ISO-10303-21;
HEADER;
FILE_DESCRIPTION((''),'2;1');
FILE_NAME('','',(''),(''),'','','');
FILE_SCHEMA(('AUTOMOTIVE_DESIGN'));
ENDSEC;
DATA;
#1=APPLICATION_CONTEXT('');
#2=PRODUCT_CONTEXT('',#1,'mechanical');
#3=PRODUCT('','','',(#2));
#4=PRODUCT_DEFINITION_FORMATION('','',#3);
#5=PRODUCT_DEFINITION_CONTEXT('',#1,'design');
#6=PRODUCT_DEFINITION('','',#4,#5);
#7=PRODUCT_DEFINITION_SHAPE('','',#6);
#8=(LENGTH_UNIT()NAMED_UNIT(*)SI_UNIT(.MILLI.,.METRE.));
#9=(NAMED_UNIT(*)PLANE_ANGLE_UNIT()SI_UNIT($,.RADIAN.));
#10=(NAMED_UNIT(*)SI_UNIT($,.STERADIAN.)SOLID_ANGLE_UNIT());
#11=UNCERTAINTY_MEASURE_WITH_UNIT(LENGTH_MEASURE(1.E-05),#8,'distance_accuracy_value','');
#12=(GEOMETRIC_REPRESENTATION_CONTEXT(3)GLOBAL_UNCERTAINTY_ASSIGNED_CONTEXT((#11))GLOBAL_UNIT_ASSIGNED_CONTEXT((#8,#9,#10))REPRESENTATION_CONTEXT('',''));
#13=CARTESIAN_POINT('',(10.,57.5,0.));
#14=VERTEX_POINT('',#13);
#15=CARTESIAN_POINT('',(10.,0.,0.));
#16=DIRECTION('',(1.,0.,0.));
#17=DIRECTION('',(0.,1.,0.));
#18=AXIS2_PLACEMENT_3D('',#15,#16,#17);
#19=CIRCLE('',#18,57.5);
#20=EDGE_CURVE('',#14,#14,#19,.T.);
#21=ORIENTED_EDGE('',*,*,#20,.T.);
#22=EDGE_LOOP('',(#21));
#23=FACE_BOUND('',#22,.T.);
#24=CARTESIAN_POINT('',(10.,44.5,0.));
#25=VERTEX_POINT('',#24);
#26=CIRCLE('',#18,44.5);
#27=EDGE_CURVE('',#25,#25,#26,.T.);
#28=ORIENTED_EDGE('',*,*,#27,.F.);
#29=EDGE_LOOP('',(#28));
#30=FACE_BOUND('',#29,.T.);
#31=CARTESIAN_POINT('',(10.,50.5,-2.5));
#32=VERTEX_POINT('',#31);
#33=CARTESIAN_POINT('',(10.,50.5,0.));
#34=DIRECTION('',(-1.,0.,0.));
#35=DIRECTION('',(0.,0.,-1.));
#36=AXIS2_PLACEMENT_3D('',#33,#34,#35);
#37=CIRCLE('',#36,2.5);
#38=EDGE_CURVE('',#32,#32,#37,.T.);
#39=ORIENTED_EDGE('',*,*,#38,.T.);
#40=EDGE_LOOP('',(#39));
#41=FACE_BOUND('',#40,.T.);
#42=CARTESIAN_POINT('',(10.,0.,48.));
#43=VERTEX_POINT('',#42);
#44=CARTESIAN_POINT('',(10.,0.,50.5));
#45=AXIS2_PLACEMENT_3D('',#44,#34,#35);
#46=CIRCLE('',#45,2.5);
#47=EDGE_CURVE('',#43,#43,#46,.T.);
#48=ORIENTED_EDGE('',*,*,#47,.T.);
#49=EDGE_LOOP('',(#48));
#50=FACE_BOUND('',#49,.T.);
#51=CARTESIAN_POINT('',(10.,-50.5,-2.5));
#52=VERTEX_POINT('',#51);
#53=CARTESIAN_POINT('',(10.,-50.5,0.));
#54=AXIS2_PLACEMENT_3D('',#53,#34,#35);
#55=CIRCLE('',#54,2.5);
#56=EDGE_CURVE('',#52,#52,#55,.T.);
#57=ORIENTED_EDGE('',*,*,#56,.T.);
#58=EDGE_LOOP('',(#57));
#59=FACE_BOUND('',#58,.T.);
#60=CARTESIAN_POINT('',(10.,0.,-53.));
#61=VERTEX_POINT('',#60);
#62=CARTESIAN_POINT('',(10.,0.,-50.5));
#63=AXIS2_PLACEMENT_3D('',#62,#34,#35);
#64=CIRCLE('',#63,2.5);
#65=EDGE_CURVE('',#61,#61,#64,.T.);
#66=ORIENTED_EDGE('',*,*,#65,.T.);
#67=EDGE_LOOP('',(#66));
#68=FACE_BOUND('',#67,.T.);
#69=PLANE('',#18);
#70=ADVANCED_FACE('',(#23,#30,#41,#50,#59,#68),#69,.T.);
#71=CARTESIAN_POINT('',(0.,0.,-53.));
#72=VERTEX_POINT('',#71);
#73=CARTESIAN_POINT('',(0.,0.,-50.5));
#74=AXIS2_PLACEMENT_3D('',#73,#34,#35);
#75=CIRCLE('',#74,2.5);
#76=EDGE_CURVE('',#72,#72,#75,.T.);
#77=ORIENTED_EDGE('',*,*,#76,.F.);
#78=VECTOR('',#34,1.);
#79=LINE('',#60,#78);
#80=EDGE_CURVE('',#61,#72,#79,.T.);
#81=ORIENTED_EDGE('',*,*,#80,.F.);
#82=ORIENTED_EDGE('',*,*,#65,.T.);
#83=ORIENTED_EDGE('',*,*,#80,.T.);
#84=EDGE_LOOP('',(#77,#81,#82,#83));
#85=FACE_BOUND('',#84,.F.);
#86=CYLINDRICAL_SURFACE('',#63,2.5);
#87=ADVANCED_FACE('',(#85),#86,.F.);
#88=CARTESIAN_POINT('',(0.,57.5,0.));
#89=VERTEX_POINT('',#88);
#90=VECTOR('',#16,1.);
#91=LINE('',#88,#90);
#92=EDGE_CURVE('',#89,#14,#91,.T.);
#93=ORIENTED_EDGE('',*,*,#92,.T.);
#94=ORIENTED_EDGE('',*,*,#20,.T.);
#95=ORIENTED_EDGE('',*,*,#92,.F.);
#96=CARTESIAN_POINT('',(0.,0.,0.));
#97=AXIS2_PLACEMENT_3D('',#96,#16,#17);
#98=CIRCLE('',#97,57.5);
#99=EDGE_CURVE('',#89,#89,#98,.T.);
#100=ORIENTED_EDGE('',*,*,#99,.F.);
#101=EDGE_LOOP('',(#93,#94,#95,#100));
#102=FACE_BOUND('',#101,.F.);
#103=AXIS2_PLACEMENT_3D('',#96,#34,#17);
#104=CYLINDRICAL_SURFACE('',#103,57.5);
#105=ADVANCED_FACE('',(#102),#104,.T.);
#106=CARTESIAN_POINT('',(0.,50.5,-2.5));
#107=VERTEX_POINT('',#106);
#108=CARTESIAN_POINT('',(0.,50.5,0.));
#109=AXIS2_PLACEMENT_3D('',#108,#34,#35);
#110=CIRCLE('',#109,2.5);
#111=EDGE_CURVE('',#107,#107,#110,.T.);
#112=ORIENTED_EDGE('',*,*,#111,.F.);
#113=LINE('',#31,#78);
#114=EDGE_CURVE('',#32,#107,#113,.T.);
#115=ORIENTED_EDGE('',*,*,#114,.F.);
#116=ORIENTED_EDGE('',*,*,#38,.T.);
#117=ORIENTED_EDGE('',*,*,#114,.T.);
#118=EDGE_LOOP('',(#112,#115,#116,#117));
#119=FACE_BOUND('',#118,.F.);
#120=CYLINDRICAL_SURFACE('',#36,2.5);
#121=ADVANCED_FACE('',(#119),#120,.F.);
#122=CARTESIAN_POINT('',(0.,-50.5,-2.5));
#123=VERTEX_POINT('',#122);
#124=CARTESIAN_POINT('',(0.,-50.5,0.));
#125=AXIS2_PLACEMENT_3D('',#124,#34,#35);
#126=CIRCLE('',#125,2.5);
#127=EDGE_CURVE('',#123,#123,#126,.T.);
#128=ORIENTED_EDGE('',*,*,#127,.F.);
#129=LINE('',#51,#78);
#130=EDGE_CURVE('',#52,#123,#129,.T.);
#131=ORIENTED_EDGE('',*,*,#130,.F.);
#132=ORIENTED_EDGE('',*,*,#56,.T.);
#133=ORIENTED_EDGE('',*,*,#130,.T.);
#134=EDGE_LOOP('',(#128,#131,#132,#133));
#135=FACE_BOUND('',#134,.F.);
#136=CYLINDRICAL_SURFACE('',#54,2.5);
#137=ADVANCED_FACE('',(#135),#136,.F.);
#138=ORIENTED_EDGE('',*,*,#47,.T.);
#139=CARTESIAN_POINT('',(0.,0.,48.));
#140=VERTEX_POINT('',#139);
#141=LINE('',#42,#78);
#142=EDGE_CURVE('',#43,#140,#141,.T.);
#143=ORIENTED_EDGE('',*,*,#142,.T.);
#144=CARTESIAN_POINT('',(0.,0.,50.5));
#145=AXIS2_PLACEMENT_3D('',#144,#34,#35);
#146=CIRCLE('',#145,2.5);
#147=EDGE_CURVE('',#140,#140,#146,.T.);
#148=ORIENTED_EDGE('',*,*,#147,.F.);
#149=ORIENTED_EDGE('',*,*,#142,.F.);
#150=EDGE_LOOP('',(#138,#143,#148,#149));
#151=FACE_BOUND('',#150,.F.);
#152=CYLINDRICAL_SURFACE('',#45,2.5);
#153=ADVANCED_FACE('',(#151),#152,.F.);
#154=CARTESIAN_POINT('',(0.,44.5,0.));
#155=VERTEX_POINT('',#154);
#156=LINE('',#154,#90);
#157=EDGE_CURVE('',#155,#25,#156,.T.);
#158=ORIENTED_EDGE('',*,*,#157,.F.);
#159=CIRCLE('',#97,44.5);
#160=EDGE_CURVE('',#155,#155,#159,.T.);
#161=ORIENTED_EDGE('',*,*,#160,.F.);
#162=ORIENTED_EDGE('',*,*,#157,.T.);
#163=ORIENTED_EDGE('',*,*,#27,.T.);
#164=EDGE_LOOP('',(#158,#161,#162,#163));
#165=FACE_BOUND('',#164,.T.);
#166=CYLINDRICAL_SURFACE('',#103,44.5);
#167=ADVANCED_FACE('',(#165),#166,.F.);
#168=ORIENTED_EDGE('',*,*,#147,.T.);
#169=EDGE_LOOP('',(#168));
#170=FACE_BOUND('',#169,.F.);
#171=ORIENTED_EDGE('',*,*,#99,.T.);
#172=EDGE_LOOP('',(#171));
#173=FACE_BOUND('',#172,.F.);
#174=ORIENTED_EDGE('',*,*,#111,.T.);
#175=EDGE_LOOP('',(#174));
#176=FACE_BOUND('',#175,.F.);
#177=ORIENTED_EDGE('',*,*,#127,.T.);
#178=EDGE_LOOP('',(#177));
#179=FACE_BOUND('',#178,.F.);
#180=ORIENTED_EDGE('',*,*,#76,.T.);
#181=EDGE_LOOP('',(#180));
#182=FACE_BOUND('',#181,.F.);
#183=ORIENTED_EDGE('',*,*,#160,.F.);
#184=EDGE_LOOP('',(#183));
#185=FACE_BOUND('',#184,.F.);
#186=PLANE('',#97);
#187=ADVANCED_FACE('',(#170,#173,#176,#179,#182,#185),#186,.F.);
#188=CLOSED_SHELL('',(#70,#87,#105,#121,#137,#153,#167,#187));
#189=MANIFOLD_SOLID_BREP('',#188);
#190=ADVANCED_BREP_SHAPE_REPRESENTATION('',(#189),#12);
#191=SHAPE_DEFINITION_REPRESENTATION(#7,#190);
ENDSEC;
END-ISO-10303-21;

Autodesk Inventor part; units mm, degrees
ref_plane "YZ Plane" through (0, 0, 0) normal (1, 0, 0) x (0, 1, 0)
ref_plane "XZ Plane" through (0, 0, 0) normal (0, 1, 0) x (-1, 0, 0)
ref_plane "XY Plane" through (0, 0, 0) normal (0, 0, 1) x (1, 0, 0)
sketch "スケッチ1" plane through (0, 0, 0) normal (1, 0, 0) x (0, 1, 0)
  circle A0 centre (0, 0) radius 44.5
  circle A1 centre (0, 0) radius 57.5
  dimension "d0" = 89
  dimension "d1" = 115
extrude "押し出し1" add sketch "スケッチ1" along normal blind 10
sketch "スケッチ2" plane through (10, 0, 0) normal (1, 0, 0) x (0, 0, -1)
  point P0 (0, 0)
  point P1 (0, 50.5)
  point P2 (-50.5, 0)
  point P3 (0, -50.5)
  point P4 (50.5, 0)
  dimension "d4" = 50.5
  dimension "d7" = 360
hole "穴1" at (10, 50.5, 0) at (10, 0, 50.5) at (10, -50.5, 0) at (10, 0, -50.5) direction (-1, 0, 0) diameter 5 end through all
properties part number "bear_89_140_in" material "ステンレス鋼"
